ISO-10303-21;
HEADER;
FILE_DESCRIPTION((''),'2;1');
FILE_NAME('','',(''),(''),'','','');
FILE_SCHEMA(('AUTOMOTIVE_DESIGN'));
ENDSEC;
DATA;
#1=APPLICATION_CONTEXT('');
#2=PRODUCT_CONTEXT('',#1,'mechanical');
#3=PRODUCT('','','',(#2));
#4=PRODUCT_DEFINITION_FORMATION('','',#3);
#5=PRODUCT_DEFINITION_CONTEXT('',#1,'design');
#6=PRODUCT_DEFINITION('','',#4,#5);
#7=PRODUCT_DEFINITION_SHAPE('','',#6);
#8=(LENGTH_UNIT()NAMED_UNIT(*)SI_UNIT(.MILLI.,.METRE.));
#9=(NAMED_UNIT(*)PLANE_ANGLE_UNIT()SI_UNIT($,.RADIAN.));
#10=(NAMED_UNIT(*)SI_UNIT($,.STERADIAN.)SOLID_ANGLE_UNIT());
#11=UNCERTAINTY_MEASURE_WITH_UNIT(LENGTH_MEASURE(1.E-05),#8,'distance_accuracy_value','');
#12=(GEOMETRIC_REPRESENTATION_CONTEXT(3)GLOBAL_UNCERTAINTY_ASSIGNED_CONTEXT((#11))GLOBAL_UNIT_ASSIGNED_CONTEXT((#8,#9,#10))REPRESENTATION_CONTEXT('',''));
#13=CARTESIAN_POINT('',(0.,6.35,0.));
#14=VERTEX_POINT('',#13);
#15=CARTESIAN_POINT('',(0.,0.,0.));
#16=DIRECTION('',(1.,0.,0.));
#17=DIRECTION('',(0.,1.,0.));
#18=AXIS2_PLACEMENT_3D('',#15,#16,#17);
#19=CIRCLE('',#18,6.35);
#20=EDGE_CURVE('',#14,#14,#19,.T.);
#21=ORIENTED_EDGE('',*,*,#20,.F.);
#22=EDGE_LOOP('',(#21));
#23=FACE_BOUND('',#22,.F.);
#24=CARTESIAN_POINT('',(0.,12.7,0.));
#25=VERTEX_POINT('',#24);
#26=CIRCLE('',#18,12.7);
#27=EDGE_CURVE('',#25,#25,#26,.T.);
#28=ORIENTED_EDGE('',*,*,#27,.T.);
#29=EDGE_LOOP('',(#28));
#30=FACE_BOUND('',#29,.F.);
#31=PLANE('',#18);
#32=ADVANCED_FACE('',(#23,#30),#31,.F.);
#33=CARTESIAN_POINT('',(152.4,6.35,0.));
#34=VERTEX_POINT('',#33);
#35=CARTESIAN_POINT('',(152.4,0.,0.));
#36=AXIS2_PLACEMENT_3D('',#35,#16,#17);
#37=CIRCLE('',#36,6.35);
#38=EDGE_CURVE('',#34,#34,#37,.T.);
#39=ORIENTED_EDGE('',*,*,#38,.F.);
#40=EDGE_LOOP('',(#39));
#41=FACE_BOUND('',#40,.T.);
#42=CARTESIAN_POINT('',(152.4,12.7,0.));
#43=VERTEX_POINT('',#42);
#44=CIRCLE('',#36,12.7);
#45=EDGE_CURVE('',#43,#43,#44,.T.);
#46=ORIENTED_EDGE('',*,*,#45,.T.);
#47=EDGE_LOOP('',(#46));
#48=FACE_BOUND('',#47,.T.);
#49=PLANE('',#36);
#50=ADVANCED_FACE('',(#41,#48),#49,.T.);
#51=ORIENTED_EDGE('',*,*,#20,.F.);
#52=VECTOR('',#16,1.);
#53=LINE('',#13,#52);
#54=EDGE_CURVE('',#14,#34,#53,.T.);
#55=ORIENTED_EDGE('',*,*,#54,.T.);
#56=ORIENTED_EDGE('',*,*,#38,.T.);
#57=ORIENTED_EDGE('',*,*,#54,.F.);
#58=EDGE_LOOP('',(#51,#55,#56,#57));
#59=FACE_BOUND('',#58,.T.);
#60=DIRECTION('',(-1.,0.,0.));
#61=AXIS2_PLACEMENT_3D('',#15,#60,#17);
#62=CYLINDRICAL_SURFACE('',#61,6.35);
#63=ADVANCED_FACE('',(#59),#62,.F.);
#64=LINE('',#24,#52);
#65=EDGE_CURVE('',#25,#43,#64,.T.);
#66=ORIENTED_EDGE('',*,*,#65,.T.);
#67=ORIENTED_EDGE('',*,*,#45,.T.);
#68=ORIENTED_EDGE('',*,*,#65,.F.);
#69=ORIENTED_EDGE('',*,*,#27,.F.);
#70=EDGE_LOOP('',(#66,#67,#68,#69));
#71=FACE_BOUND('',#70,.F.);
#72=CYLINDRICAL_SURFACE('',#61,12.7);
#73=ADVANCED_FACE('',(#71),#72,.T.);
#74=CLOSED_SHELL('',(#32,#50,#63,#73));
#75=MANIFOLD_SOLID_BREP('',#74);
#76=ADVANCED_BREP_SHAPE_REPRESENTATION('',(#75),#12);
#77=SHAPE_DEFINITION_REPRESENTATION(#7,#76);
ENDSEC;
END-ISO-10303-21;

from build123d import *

# Parameters (mm, degrees)
F0_R     = 12.7
F0_R_2   = 6.35
F1_DEPTH = 152.4


with BuildPart() as f1:
    # F0 (on Right) → F1 (new body)
    with BuildSketch(Plane.YZ):
        Circle(F0_R)
        Circle(F0_R_2, mode=Mode.SUBTRACT)
    extrude(amount=F1_DEPTH)


solid = f1.part
